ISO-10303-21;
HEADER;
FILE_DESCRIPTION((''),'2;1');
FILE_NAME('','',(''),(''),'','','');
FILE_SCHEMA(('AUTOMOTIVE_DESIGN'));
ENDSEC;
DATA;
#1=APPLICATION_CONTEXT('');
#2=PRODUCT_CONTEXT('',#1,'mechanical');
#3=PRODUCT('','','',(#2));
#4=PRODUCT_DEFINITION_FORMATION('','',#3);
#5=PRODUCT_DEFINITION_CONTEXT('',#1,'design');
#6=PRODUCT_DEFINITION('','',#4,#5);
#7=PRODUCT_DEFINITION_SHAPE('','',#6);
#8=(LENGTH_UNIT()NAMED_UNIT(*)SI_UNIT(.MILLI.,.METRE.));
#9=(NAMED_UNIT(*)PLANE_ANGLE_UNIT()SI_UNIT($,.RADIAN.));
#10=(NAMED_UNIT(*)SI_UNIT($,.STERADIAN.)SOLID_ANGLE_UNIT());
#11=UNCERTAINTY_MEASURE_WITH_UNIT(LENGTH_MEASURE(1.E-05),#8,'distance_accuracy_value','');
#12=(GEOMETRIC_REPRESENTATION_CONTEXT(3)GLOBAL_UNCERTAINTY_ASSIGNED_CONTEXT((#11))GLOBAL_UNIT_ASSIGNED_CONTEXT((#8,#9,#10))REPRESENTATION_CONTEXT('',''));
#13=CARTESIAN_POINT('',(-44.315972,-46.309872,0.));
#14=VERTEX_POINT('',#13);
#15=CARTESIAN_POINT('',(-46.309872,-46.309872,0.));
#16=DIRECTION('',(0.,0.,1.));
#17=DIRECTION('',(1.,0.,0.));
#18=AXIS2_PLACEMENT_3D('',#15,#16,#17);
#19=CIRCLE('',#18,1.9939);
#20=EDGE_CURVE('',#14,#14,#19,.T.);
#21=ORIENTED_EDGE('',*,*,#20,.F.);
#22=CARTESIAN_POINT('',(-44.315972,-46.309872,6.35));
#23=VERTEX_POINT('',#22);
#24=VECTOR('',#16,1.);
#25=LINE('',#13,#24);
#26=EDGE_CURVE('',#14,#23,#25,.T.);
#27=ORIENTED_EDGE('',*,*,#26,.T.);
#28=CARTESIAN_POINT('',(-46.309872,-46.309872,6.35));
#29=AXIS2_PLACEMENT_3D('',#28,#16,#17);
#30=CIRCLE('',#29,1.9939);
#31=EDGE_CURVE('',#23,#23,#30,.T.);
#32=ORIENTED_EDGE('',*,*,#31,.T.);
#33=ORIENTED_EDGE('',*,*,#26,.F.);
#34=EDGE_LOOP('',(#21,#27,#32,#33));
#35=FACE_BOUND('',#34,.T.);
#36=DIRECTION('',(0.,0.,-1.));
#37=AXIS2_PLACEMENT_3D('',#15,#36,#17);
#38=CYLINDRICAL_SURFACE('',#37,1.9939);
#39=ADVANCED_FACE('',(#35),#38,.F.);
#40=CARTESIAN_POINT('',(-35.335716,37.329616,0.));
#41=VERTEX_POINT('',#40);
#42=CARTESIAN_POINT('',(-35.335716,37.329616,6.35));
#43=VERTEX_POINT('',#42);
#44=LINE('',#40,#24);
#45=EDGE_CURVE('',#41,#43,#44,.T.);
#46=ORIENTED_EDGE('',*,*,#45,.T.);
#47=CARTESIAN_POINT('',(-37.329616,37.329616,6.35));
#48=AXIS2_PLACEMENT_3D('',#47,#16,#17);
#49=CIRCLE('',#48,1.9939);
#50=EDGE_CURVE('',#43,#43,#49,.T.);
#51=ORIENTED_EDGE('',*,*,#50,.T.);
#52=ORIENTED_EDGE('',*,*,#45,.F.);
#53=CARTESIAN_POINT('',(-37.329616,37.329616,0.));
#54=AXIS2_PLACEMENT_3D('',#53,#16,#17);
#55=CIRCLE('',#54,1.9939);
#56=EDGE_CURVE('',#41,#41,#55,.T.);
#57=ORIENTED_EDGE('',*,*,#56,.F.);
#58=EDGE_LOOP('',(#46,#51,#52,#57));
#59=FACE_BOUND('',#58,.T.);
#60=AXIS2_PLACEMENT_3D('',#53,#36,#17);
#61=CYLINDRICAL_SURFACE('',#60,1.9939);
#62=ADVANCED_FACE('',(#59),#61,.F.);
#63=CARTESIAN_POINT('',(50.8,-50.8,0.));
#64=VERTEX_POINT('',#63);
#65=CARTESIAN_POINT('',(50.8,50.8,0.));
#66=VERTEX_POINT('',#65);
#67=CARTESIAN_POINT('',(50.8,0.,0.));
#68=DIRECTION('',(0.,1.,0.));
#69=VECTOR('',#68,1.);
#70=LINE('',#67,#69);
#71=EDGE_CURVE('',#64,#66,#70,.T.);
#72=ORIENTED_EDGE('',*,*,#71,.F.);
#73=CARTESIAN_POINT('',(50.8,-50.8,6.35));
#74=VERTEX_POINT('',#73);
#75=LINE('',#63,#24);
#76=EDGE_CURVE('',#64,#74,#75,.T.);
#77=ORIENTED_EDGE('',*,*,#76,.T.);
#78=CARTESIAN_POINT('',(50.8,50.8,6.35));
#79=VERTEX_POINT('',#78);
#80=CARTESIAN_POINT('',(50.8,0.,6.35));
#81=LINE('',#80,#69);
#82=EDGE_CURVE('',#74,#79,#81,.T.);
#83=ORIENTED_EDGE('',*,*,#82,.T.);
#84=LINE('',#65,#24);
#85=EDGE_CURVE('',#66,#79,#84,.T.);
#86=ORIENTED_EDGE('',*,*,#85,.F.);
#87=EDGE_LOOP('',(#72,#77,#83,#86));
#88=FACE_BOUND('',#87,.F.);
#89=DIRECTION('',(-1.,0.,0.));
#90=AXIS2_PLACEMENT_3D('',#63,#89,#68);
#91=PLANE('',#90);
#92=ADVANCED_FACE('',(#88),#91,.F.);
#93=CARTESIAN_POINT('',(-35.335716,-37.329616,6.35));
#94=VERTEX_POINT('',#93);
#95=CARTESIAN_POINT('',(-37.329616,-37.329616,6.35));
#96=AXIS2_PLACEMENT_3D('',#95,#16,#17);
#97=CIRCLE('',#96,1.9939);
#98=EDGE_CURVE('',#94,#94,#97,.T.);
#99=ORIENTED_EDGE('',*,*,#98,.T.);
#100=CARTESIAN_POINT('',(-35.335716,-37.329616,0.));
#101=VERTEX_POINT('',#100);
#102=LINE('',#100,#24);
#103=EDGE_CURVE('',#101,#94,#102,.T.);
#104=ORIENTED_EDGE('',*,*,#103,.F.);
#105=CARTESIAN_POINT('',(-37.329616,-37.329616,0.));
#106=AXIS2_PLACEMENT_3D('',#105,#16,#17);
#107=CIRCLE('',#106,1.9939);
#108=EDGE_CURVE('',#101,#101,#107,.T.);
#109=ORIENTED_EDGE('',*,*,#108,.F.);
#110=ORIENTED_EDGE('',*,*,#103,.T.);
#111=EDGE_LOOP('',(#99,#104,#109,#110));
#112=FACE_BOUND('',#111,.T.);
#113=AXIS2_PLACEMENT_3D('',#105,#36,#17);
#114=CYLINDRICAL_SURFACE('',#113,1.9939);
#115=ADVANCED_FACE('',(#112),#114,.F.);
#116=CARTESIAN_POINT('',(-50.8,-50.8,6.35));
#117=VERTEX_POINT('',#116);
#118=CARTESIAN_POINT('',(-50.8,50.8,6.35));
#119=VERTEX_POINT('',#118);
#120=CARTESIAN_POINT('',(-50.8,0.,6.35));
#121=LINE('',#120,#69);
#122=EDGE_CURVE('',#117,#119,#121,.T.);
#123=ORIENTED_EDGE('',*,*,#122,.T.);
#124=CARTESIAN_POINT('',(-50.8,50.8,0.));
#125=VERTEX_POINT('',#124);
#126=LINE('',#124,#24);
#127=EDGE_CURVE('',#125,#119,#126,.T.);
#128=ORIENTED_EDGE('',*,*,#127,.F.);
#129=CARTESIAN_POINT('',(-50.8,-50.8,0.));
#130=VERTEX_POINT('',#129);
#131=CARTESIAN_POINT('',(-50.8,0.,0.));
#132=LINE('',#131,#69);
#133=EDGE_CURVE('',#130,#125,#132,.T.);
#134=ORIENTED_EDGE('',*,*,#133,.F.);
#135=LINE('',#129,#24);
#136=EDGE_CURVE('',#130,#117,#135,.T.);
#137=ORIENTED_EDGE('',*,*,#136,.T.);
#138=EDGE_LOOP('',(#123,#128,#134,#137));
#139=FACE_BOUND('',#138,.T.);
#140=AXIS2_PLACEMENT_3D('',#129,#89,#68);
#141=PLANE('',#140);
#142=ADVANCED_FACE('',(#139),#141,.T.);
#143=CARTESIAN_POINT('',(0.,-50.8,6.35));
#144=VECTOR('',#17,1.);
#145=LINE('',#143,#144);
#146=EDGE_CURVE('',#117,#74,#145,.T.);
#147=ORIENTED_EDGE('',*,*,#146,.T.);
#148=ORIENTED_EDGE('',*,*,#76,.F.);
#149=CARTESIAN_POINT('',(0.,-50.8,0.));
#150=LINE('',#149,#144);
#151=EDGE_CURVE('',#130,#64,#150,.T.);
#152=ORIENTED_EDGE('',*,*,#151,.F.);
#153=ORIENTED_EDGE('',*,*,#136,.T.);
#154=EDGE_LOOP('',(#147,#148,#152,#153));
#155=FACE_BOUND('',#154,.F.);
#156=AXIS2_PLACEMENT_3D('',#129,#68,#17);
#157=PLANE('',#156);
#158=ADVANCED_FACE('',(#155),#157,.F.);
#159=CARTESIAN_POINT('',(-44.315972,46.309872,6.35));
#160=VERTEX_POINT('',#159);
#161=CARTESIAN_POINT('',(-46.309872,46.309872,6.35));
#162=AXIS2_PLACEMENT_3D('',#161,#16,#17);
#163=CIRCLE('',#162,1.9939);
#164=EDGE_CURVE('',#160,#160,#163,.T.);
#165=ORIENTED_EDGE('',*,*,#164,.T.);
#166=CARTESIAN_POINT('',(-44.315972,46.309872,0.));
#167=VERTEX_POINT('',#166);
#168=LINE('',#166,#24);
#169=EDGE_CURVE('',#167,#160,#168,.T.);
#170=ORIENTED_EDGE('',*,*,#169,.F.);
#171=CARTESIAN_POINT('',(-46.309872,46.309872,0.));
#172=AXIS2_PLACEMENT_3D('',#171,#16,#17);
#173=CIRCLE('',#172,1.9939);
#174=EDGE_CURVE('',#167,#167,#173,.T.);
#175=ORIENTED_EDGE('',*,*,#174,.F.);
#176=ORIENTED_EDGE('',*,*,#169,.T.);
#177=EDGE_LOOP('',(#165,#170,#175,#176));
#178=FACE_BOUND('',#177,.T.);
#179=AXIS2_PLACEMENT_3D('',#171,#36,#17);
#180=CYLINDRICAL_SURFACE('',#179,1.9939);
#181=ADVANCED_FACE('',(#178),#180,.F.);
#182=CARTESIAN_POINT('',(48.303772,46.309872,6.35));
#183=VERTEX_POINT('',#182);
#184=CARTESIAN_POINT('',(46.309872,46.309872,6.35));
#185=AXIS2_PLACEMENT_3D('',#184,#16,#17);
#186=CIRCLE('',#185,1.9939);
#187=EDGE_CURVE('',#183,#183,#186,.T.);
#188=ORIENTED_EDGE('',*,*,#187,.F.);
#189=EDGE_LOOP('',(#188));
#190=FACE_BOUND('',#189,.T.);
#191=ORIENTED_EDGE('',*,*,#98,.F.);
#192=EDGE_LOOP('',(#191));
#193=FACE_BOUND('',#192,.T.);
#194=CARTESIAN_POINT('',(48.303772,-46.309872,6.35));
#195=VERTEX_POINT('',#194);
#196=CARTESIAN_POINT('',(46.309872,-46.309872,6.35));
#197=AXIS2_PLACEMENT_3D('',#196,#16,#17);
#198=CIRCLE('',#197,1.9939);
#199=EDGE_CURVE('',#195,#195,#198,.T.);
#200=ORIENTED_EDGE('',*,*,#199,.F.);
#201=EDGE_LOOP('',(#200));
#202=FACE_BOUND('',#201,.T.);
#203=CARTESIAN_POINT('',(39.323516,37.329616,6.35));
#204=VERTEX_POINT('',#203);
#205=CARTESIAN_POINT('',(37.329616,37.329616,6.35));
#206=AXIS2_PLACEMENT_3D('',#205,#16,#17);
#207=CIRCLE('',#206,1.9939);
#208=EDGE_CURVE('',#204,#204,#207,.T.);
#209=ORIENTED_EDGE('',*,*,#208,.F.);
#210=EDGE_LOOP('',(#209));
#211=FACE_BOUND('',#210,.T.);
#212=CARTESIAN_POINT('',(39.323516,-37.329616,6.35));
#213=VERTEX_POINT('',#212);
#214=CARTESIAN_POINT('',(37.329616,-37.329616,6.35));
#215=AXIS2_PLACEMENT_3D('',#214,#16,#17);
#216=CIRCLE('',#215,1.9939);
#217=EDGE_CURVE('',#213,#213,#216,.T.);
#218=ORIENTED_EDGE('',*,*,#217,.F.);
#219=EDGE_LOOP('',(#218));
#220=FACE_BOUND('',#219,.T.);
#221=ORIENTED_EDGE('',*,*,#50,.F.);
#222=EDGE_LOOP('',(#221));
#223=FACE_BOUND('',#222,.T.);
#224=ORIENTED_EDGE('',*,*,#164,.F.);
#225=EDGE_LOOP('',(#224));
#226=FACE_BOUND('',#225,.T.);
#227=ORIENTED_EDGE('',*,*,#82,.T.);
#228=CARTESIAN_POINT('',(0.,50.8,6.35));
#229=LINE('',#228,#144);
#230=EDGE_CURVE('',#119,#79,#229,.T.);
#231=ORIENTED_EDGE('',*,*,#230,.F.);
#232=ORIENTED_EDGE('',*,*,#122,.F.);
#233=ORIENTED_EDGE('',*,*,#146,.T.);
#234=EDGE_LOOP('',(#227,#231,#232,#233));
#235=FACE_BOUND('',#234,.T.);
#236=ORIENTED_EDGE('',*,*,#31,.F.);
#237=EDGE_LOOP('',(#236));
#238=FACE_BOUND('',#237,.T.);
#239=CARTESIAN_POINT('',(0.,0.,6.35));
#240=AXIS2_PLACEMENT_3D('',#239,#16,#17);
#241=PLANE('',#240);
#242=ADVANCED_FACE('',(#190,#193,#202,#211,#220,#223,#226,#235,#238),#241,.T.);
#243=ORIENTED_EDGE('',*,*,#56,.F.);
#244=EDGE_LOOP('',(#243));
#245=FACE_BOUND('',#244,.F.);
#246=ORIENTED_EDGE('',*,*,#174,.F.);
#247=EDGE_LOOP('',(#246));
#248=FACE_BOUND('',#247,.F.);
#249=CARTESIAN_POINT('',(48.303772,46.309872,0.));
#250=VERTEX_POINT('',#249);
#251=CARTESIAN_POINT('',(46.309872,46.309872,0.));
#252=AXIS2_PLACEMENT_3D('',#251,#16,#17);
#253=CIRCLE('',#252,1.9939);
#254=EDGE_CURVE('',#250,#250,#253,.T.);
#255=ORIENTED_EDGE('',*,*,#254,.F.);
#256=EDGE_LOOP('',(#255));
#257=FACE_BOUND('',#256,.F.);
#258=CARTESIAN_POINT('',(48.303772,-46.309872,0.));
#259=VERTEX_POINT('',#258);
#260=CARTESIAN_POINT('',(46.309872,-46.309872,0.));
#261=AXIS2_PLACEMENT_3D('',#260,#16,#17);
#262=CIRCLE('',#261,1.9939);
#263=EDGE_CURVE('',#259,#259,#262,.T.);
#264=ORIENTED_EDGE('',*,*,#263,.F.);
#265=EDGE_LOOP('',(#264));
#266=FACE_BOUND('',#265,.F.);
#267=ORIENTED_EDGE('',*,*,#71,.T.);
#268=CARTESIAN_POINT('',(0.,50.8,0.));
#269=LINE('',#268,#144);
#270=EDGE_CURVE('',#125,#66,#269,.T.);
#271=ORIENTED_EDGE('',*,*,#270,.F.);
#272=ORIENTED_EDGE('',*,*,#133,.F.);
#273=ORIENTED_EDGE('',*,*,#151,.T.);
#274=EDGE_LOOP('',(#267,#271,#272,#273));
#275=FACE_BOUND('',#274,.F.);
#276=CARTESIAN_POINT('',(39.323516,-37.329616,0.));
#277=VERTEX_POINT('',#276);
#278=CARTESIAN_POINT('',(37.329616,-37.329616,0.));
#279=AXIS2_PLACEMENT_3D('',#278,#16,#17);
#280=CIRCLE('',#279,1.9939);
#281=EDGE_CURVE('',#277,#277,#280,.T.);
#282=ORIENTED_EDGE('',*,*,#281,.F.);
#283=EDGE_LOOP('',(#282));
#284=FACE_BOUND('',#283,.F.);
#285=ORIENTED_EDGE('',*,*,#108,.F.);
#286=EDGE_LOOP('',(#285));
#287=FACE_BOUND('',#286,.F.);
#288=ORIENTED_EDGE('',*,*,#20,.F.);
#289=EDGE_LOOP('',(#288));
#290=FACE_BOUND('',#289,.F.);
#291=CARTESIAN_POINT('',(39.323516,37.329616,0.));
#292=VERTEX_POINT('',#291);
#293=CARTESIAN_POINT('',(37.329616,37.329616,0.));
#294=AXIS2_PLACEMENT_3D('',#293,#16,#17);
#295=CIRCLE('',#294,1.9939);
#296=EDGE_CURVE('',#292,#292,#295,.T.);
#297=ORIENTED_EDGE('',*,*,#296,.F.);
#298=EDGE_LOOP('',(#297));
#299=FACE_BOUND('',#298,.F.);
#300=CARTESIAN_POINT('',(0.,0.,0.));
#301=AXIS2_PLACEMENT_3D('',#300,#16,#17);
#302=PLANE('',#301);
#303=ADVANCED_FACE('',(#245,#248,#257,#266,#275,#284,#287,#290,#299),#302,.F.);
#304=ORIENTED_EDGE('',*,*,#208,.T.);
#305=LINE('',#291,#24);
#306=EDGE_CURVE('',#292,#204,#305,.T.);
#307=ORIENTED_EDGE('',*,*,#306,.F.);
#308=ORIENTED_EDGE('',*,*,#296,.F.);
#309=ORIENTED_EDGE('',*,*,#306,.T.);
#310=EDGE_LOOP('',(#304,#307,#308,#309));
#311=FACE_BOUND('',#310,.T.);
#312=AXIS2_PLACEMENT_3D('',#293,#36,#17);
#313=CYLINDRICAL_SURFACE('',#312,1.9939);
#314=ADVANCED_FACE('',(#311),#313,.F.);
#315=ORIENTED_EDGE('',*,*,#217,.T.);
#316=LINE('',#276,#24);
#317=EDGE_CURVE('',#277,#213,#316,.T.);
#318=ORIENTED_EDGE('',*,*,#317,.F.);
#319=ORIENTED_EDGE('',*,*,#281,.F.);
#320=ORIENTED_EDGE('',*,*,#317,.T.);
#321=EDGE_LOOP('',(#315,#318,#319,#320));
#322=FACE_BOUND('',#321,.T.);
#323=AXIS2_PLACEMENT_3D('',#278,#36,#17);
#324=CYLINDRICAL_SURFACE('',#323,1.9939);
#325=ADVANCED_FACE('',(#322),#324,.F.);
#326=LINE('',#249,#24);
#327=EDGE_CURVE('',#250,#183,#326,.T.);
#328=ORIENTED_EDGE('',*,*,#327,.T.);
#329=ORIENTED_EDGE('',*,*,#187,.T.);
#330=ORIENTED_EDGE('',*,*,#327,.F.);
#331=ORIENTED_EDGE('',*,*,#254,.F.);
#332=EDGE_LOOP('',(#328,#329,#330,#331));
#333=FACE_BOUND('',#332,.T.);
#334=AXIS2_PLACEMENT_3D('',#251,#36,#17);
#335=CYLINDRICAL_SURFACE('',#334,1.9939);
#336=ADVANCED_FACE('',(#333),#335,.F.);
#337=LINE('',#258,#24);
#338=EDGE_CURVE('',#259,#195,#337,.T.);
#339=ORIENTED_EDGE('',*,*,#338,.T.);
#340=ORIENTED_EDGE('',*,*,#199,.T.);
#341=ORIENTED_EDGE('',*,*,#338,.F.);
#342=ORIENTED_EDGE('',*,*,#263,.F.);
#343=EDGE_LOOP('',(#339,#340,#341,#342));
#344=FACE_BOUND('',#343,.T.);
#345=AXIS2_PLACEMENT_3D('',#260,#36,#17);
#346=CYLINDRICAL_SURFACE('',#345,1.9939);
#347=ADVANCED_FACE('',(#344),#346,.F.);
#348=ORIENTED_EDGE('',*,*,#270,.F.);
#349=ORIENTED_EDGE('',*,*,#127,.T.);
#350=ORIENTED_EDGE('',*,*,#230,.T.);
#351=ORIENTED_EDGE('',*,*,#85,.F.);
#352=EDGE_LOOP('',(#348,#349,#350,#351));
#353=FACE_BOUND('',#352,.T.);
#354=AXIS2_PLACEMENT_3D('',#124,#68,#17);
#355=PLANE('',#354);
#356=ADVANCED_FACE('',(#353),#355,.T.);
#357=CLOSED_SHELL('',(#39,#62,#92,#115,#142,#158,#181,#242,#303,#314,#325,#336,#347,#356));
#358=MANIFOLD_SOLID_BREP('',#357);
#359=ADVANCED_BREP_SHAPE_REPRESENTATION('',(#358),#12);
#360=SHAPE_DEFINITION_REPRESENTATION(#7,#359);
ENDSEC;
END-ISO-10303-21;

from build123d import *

# Parameters (mm, degrees)
F0_W     = 101.6
F0_H     = 101.6
F0_R     = 1.9939
F1_DEPTH = 6.35


with BuildPart() as f1:
    # F0 (on Top) → F1 (new body)
    with BuildSketch(Plane.XY):
        Rectangle(F0_W, F0_H)
        with Locations((-46.309872, -46.309872)):
            Circle(F0_R, mode=Mode.SUBTRACT)
        with Locations((-37.329616, -37.329616)):
            Circle(F0_R, mode=Mode.SUBTRACT)
        with Locations((46.309872, -46.309872)):
            Circle(F0_R, mode=Mode.SUBTRACT)
        with Locations((37.329616, -37.329616)):
            Circle(F0_R, mode=Mode.SUBTRACT)
        with Locations((-37.329616, 37.329616)):
            Circle(F0_R, mode=Mode.SUBTRACT)
        with Locations((-46.309872, 46.309872)):
            Circle(F0_R, mode=Mode.SUBTRACT)
        with Locations((37.329616, 37.329616)):
            Circle(F0_R, mode=Mode.SUBTRACT)
        with Locations((46.309872, 46.309872)):
            Circle(F0_R, mode=Mode.SUBTRACT)
    extrude(amount=F1_DEPTH)


solid = f1.part
